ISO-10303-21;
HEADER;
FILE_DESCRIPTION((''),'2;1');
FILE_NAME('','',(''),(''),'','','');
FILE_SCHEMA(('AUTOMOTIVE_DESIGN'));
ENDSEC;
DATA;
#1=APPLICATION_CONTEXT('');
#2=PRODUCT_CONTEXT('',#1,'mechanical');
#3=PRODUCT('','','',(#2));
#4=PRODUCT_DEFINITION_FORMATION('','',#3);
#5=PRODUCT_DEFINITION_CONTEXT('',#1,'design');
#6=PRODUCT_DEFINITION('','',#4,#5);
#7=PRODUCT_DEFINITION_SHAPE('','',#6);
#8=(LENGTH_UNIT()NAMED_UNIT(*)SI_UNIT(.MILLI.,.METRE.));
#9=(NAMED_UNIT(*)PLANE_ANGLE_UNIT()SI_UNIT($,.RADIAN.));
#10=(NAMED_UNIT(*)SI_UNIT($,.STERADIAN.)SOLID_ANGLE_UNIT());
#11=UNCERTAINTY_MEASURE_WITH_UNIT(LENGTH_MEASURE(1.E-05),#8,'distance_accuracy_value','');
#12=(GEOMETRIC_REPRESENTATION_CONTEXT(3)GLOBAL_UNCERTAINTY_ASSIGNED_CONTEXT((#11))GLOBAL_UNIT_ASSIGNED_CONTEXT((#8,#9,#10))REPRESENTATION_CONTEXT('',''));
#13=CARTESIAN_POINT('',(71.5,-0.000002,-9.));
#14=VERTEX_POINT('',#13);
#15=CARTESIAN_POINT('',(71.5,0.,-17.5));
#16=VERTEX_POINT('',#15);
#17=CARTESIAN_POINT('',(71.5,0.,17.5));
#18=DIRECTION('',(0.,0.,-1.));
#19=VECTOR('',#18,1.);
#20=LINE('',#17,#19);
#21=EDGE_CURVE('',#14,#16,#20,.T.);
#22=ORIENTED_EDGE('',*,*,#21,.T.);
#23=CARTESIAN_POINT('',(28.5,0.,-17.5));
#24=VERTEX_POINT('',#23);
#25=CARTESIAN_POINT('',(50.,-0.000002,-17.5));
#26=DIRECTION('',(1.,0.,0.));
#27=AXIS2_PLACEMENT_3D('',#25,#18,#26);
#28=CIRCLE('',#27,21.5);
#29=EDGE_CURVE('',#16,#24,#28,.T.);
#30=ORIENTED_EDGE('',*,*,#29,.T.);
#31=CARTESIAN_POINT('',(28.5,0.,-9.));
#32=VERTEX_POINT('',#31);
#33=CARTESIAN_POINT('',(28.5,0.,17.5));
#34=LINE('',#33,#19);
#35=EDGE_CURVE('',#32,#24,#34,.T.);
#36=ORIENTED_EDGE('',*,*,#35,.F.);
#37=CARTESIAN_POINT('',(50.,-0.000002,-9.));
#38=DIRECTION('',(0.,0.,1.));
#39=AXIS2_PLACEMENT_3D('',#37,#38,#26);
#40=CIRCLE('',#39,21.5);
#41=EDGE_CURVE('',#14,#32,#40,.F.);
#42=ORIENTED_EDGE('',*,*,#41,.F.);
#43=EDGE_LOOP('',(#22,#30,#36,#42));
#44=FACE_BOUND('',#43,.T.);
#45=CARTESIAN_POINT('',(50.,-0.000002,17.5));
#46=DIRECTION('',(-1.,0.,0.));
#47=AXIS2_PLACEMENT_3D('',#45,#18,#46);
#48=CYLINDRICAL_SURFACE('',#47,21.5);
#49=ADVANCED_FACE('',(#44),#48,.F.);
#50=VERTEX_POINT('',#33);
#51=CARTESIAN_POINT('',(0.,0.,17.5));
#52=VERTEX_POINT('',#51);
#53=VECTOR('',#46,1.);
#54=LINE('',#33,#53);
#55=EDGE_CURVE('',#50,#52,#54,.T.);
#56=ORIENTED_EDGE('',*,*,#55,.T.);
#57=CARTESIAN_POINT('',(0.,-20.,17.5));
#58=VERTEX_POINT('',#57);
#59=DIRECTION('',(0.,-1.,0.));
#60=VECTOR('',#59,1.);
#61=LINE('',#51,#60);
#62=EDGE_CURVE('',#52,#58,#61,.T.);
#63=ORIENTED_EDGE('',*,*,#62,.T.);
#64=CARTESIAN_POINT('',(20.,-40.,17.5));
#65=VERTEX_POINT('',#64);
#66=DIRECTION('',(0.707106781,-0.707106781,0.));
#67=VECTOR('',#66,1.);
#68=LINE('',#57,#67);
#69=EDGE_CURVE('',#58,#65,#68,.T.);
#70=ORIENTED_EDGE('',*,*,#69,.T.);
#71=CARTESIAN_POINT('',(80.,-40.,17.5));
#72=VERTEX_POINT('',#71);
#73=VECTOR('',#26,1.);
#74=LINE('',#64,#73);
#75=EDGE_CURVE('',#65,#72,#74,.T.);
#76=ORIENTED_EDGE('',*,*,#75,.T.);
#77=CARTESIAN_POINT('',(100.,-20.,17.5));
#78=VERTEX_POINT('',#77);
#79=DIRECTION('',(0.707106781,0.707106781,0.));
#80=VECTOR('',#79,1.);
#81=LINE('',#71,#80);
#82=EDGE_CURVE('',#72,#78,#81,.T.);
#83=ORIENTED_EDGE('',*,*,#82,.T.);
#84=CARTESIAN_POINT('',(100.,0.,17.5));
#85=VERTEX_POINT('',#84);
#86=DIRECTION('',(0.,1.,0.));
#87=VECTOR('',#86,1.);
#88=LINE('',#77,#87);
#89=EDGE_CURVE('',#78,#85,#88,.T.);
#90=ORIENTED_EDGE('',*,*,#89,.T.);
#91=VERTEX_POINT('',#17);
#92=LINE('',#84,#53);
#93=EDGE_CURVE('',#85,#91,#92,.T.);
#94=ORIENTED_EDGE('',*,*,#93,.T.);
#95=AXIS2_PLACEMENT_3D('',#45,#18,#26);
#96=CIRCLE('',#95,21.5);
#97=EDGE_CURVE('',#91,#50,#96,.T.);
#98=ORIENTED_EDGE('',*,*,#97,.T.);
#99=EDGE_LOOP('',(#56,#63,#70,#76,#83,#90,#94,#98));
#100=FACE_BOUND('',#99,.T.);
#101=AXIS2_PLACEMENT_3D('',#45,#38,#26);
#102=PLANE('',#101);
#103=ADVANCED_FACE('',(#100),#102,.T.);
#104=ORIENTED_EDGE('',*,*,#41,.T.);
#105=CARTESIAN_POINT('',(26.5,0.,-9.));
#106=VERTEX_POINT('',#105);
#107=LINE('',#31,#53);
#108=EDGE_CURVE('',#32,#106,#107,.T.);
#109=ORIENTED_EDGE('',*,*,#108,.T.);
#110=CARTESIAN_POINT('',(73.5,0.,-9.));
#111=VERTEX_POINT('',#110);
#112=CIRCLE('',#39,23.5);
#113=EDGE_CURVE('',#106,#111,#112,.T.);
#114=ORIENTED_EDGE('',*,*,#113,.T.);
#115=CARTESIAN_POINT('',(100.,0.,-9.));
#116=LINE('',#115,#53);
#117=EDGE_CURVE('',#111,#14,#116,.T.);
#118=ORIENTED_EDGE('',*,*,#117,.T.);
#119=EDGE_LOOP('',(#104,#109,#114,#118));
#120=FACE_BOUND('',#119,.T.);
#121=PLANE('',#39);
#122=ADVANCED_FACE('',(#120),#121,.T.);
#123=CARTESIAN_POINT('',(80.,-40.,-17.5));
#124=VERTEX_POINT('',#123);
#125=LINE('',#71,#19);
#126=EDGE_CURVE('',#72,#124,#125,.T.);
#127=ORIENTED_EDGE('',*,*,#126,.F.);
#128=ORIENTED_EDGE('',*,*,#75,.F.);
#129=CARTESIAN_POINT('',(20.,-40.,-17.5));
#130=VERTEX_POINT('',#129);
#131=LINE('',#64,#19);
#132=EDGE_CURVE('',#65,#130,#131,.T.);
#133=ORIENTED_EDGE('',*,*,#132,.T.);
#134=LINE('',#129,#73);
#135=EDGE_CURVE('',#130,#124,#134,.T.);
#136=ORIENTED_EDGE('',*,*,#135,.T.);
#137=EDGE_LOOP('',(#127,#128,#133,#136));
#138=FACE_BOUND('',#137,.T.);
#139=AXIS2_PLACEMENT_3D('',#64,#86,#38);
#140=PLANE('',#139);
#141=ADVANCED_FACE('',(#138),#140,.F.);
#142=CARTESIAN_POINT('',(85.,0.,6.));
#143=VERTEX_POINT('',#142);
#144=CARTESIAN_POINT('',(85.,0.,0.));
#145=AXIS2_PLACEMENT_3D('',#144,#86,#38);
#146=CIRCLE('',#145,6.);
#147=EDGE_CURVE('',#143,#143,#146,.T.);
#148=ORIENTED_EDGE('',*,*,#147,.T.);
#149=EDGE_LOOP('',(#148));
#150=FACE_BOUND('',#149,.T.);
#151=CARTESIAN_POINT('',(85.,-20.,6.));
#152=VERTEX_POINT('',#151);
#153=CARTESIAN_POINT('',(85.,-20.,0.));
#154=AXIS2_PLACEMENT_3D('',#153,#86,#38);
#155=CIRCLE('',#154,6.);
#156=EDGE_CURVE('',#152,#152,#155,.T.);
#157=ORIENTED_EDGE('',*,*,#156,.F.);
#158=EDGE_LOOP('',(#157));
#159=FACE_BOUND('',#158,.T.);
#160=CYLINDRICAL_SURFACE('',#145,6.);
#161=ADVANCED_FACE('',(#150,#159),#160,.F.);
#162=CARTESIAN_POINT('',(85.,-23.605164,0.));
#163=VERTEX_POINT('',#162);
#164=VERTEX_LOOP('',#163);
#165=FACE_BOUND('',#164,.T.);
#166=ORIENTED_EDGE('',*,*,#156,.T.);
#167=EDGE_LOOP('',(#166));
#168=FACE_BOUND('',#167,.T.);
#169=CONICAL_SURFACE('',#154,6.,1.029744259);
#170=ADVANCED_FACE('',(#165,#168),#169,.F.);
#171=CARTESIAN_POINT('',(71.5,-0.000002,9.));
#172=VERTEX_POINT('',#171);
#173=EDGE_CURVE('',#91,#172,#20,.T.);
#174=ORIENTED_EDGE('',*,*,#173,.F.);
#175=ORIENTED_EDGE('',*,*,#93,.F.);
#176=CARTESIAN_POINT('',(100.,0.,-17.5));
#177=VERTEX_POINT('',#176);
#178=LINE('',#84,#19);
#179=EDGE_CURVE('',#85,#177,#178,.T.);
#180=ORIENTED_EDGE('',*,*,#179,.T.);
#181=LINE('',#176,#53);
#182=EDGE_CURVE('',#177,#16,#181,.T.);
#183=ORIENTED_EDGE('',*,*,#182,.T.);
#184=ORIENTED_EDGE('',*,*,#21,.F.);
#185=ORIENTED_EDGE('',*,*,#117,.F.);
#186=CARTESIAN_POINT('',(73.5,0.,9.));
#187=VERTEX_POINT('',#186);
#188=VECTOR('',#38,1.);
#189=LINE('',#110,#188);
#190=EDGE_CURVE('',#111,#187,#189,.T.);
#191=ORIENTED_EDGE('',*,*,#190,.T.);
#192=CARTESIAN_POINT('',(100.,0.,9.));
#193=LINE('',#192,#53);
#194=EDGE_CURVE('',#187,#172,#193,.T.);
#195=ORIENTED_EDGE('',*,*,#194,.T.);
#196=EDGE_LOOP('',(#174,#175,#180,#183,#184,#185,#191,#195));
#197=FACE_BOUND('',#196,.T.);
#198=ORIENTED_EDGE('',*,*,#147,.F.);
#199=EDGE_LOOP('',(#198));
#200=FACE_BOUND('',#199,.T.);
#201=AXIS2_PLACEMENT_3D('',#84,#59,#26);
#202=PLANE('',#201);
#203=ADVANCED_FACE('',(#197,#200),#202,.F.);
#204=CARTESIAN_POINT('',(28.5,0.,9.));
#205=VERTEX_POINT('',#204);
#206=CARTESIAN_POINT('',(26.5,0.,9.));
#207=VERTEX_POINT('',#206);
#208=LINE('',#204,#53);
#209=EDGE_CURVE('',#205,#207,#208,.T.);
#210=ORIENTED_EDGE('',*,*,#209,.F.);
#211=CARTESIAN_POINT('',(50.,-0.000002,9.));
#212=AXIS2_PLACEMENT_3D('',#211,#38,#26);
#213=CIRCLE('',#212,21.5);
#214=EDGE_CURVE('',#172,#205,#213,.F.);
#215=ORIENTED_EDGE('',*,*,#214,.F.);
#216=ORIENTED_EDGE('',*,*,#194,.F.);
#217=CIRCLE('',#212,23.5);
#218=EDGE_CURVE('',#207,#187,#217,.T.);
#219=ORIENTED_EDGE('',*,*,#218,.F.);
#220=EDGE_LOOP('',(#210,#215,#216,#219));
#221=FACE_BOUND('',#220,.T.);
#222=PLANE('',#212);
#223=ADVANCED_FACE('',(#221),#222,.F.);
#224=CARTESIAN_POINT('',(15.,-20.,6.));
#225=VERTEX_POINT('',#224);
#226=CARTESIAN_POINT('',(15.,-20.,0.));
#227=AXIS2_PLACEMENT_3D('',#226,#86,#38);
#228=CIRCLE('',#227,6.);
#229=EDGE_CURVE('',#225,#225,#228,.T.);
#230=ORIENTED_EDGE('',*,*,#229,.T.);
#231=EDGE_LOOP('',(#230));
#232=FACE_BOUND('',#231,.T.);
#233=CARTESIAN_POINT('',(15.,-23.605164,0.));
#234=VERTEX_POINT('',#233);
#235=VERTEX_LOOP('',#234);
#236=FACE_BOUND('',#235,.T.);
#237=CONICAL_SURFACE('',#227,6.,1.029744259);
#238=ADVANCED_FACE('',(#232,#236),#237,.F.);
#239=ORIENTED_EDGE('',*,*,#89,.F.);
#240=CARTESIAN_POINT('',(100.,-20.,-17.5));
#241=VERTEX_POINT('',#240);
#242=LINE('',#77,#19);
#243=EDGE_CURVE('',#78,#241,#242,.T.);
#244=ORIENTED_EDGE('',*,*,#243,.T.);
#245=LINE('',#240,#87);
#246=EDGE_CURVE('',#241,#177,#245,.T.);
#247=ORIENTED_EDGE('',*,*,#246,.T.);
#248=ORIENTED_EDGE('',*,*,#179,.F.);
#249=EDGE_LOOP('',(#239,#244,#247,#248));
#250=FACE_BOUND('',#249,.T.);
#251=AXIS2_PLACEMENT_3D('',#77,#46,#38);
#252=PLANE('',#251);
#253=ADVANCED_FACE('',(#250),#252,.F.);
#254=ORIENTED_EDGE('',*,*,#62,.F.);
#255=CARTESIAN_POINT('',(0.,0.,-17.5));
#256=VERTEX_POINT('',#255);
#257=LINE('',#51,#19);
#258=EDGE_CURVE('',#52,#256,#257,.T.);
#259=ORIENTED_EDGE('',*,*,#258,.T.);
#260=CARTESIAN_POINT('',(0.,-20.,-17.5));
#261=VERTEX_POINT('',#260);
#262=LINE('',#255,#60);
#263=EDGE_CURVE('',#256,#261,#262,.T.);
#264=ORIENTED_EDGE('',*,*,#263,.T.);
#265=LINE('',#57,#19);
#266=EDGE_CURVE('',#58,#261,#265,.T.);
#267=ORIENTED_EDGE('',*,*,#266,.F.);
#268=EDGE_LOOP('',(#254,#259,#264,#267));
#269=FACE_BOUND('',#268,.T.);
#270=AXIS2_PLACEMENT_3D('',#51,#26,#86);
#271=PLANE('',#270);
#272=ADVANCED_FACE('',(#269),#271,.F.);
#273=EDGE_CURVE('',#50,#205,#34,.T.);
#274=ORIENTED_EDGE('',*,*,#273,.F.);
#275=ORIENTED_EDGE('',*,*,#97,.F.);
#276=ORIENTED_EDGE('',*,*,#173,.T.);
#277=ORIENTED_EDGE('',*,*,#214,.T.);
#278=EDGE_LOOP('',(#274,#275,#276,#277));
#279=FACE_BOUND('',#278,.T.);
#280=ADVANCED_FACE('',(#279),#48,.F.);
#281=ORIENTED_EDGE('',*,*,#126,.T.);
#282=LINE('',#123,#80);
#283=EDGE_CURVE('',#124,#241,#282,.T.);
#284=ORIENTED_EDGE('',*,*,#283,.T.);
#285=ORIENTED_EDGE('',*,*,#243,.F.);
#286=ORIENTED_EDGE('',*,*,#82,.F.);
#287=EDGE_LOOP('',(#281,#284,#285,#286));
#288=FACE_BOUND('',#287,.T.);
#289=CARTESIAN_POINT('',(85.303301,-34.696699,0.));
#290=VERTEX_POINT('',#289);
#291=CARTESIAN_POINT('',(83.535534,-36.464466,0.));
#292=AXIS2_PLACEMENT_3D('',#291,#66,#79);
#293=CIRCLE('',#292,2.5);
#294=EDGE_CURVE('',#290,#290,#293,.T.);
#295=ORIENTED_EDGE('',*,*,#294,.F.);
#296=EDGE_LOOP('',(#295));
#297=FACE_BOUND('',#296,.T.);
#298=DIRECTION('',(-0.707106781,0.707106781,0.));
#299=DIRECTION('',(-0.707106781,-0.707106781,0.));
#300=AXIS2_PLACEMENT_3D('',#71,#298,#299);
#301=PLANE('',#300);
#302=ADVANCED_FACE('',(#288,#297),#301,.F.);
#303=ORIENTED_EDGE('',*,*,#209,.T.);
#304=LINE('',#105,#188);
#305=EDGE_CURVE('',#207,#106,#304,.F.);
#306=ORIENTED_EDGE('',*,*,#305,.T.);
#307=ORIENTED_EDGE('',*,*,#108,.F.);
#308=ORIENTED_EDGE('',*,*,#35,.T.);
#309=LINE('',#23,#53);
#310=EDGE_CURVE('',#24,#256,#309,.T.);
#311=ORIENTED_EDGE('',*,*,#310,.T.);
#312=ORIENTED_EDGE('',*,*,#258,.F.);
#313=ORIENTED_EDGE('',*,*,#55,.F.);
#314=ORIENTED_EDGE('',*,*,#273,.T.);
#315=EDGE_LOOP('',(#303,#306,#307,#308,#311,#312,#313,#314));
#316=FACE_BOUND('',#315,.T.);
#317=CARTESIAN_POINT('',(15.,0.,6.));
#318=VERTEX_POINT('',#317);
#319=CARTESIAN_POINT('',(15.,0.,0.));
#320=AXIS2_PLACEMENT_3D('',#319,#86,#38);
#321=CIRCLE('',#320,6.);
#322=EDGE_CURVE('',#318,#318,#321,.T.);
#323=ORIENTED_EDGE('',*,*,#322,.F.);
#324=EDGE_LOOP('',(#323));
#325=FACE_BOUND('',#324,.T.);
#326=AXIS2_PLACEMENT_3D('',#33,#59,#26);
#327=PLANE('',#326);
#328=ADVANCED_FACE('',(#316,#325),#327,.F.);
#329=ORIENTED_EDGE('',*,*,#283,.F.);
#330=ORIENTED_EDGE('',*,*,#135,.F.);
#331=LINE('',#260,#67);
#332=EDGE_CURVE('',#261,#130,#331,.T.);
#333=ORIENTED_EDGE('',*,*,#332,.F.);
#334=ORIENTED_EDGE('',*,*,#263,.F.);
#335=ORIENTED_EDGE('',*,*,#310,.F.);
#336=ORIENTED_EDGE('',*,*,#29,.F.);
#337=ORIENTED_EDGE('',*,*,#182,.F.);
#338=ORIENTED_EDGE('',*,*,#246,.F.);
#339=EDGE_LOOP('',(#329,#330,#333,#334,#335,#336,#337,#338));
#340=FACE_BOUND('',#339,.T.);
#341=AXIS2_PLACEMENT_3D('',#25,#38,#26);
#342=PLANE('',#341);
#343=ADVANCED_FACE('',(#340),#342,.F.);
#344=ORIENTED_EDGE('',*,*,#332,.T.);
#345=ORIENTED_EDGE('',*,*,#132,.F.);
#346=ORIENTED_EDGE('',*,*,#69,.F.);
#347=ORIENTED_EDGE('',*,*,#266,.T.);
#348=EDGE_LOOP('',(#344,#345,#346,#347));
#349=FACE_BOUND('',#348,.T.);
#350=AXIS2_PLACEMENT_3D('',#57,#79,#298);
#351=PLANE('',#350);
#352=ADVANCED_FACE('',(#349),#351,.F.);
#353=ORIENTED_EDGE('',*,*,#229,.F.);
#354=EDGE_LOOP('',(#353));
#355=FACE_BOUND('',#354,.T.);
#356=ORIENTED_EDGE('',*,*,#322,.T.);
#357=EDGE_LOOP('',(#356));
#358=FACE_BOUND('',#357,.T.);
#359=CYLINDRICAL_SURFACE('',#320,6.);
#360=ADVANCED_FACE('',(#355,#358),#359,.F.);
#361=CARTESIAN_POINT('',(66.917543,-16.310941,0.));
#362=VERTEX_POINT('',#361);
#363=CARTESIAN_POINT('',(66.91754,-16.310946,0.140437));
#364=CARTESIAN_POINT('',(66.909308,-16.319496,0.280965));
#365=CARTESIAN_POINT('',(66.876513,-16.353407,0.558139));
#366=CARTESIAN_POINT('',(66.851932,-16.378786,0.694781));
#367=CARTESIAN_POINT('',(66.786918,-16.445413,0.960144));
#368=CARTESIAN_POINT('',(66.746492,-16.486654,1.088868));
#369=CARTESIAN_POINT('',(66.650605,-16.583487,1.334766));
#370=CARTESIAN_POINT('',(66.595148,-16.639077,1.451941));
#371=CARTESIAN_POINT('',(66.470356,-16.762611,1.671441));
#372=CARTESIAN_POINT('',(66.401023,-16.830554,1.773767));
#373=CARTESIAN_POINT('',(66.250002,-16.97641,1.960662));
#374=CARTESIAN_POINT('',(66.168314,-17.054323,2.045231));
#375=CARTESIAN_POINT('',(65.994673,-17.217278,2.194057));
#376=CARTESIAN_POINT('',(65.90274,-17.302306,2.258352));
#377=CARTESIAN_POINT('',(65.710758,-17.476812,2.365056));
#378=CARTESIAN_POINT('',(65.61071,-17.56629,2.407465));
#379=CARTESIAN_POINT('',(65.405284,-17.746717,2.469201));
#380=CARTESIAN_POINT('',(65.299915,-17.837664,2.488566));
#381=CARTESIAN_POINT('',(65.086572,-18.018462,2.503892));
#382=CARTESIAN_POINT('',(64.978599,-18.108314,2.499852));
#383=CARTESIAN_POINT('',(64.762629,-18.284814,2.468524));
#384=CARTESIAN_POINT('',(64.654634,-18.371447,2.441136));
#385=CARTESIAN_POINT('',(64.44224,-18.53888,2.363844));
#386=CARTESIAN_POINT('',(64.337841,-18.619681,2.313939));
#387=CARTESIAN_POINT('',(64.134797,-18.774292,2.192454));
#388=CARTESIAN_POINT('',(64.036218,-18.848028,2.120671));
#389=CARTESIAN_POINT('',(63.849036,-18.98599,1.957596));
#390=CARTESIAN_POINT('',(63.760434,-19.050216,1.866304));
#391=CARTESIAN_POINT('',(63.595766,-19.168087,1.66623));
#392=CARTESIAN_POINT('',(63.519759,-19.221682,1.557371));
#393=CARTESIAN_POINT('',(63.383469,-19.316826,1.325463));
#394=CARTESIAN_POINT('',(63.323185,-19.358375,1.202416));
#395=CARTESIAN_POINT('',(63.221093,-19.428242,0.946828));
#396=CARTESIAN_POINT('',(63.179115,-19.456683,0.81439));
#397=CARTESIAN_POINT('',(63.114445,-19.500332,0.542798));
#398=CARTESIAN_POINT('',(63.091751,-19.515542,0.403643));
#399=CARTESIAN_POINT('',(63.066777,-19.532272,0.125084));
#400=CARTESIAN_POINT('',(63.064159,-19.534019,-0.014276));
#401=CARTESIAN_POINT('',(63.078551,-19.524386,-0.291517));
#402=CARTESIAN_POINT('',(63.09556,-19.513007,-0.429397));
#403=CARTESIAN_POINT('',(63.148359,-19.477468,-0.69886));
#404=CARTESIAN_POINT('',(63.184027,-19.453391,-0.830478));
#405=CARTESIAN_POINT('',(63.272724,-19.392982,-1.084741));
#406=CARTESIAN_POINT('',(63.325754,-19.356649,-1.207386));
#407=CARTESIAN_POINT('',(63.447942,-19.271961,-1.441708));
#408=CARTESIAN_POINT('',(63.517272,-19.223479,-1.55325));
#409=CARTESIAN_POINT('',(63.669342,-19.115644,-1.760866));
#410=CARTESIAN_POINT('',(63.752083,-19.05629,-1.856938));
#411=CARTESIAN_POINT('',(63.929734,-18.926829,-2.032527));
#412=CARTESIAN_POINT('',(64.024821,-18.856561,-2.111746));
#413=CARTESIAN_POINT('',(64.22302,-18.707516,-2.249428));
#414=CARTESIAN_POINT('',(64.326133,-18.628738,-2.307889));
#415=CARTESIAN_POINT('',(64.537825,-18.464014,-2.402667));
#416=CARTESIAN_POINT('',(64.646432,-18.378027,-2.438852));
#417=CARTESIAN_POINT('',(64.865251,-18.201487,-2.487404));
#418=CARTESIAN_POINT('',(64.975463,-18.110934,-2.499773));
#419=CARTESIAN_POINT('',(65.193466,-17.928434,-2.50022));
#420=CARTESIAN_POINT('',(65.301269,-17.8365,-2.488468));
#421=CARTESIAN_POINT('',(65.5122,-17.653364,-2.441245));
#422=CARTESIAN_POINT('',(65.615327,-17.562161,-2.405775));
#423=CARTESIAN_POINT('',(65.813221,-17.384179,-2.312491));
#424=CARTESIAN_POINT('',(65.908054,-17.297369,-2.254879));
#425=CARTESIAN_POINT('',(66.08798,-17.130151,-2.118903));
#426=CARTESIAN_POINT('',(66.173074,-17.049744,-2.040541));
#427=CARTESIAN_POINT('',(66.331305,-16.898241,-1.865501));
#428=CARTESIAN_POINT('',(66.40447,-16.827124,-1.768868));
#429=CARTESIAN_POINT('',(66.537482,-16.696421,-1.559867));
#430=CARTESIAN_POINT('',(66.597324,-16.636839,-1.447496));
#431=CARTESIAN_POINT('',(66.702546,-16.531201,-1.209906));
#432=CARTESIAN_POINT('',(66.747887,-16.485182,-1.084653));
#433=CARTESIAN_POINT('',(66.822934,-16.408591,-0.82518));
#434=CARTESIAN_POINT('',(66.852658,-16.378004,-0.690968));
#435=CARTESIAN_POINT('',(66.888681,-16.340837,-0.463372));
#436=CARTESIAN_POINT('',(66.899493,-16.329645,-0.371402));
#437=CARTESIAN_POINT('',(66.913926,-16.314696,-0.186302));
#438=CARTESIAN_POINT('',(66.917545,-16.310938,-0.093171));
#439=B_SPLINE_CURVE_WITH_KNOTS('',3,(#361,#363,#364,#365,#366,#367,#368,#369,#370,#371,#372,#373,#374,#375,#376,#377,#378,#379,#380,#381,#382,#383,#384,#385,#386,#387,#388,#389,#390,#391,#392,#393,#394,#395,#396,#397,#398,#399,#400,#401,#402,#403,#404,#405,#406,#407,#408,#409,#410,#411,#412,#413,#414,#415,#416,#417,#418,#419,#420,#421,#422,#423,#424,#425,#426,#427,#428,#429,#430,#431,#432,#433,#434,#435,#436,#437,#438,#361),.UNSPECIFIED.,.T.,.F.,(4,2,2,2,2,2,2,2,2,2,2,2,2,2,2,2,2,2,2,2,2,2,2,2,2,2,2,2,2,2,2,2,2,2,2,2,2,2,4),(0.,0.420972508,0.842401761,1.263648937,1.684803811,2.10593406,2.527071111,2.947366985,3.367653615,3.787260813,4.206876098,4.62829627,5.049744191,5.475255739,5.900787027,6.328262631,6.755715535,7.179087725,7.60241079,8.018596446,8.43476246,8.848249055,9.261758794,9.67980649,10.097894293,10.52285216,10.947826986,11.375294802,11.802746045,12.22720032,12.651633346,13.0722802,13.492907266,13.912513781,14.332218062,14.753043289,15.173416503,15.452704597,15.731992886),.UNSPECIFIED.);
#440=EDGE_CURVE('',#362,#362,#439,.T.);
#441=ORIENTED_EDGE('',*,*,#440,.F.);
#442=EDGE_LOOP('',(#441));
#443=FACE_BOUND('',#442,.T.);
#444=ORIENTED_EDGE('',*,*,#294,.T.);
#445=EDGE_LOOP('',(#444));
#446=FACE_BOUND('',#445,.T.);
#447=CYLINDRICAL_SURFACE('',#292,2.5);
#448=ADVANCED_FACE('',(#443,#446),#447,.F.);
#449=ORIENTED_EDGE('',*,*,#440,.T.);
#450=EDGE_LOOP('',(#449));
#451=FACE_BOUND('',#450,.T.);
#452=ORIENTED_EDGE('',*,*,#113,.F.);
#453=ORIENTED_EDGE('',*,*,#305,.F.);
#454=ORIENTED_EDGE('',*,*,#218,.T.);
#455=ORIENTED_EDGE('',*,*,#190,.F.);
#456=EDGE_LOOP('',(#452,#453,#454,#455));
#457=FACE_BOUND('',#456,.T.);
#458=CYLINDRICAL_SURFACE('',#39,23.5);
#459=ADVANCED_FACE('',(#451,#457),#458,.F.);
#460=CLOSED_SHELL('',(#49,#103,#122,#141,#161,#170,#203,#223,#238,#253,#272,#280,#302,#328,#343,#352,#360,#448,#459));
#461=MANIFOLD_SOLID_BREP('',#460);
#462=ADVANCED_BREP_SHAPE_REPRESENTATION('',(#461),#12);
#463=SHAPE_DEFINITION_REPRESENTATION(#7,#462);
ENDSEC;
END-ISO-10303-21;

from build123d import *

# Parameters (mm, degrees)
EXTRUDE_1_DEPTH         = 17.5
SKETCH_3_R              = 23.5
CUT_EXTRUDE_1_DEPTH     = 9
HOLE_WIZARD_M14_1_D     = 12
HOLE_WIZARD_M14_1_DEPTH = 20
HOLE_WIZARD_M14_1_TIP   = 3.605163714
HOLE_WIZARD_M6_1_D      = 5
HOLE_WIZARD_M6_1_DEPTH  = 15
HOLE_WIZARD_M6_1_TIP    = 1.502151548
SKETCH_8_R              = 2.5
CUT_EXTRUDE_2_DEPTH     = 77.871280236


with BuildPart() as part:
    # 草图2 → 凸台-拉伸1 (new, symmetric)
    with BuildSketch(Plane.XY):
        with BuildLine():
            Line((0, 0), (0, -20))
            Line((0, -20), (20, -40))
            Line((20, -40), (80, -40))
            Line((80, -40), (100, -20))
            Line((100, -20), (100, 0))
            Line((100, 0), (71.5, 0))
            ThreePointArc((71.5, 0), (50, -21.500002185), (28.5, 0))
            Line((28.5, 0), (0, 0))
        make_face()
    extrude(amount=EXTRUDE_1_DEPTH, both=True)

    # 草图3 → 切除-拉伸1 (cut, symmetric)
    with BuildSketch(Plane.XY):
        with Locations((50, -2.185e-06)):
            Circle(SKETCH_3_R)
    extrude(amount=CUT_EXTRUDE_1_DEPTH, both=True, mode=Mode.SUBTRACT)

    # M14 螺纹孔1
    with Locations(Plane(origin=(0, 0, 0), x_dir=(1, 0, 0), z_dir=(0, 1, 0))):
        with Locations((15, 0), (85, 0)):
            Hole(HOLE_WIZARD_M14_1_D / 2, depth=HOLE_WIZARD_M14_1_DEPTH)
            with Locations((0, 0, -(HOLE_WIZARD_M14_1_DEPTH + HOLE_WIZARD_M14_1_TIP / 2))):  # 118° drill point
                Cone(0, HOLE_WIZARD_M14_1_D / 2, HOLE_WIZARD_M14_1_TIP, mode=Mode.SUBTRACT)

    # M6 螺纹孔1
    with Locations(Plane(origin=(60, -60, 0), x_dir=(-0.7071067811865476, -0.7071067811865476, 0), z_dir=(0.7071067811865476, -0.7071067811865476, 0))):
        with Locations((-33.284271247, 0)):
            Hole(HOLE_WIZARD_M6_1_D / 2, depth=HOLE_WIZARD_M6_1_DEPTH)
            with Locations((0, 0, -(HOLE_WIZARD_M6_1_DEPTH + HOLE_WIZARD_M6_1_TIP / 2))):  # 118° drill point
                Cone(0, HOLE_WIZARD_M6_1_D / 2, HOLE_WIZARD_M6_1_TIP, mode=Mode.SUBTRACT)

    # 草图8 → 切除-拉伸2 (cut, through all)
    with BuildSketch(Plane(origin=(52.928932188, -52.928932188, 0), x_dir=(-0.7071067811865476, -0.7071067811865476, 0), z_dir=(0.7071067811865476, -0.7071067811865476, 0))):
        with Locations(Location((-33.284271247, 0, 0), (0, 0, 180))):
            Circle(SKETCH_8_R)
    extrude(amount=-CUT_EXTRUDE_2_DEPTH, mode=Mode.SUBTRACT)


solid = part.part
